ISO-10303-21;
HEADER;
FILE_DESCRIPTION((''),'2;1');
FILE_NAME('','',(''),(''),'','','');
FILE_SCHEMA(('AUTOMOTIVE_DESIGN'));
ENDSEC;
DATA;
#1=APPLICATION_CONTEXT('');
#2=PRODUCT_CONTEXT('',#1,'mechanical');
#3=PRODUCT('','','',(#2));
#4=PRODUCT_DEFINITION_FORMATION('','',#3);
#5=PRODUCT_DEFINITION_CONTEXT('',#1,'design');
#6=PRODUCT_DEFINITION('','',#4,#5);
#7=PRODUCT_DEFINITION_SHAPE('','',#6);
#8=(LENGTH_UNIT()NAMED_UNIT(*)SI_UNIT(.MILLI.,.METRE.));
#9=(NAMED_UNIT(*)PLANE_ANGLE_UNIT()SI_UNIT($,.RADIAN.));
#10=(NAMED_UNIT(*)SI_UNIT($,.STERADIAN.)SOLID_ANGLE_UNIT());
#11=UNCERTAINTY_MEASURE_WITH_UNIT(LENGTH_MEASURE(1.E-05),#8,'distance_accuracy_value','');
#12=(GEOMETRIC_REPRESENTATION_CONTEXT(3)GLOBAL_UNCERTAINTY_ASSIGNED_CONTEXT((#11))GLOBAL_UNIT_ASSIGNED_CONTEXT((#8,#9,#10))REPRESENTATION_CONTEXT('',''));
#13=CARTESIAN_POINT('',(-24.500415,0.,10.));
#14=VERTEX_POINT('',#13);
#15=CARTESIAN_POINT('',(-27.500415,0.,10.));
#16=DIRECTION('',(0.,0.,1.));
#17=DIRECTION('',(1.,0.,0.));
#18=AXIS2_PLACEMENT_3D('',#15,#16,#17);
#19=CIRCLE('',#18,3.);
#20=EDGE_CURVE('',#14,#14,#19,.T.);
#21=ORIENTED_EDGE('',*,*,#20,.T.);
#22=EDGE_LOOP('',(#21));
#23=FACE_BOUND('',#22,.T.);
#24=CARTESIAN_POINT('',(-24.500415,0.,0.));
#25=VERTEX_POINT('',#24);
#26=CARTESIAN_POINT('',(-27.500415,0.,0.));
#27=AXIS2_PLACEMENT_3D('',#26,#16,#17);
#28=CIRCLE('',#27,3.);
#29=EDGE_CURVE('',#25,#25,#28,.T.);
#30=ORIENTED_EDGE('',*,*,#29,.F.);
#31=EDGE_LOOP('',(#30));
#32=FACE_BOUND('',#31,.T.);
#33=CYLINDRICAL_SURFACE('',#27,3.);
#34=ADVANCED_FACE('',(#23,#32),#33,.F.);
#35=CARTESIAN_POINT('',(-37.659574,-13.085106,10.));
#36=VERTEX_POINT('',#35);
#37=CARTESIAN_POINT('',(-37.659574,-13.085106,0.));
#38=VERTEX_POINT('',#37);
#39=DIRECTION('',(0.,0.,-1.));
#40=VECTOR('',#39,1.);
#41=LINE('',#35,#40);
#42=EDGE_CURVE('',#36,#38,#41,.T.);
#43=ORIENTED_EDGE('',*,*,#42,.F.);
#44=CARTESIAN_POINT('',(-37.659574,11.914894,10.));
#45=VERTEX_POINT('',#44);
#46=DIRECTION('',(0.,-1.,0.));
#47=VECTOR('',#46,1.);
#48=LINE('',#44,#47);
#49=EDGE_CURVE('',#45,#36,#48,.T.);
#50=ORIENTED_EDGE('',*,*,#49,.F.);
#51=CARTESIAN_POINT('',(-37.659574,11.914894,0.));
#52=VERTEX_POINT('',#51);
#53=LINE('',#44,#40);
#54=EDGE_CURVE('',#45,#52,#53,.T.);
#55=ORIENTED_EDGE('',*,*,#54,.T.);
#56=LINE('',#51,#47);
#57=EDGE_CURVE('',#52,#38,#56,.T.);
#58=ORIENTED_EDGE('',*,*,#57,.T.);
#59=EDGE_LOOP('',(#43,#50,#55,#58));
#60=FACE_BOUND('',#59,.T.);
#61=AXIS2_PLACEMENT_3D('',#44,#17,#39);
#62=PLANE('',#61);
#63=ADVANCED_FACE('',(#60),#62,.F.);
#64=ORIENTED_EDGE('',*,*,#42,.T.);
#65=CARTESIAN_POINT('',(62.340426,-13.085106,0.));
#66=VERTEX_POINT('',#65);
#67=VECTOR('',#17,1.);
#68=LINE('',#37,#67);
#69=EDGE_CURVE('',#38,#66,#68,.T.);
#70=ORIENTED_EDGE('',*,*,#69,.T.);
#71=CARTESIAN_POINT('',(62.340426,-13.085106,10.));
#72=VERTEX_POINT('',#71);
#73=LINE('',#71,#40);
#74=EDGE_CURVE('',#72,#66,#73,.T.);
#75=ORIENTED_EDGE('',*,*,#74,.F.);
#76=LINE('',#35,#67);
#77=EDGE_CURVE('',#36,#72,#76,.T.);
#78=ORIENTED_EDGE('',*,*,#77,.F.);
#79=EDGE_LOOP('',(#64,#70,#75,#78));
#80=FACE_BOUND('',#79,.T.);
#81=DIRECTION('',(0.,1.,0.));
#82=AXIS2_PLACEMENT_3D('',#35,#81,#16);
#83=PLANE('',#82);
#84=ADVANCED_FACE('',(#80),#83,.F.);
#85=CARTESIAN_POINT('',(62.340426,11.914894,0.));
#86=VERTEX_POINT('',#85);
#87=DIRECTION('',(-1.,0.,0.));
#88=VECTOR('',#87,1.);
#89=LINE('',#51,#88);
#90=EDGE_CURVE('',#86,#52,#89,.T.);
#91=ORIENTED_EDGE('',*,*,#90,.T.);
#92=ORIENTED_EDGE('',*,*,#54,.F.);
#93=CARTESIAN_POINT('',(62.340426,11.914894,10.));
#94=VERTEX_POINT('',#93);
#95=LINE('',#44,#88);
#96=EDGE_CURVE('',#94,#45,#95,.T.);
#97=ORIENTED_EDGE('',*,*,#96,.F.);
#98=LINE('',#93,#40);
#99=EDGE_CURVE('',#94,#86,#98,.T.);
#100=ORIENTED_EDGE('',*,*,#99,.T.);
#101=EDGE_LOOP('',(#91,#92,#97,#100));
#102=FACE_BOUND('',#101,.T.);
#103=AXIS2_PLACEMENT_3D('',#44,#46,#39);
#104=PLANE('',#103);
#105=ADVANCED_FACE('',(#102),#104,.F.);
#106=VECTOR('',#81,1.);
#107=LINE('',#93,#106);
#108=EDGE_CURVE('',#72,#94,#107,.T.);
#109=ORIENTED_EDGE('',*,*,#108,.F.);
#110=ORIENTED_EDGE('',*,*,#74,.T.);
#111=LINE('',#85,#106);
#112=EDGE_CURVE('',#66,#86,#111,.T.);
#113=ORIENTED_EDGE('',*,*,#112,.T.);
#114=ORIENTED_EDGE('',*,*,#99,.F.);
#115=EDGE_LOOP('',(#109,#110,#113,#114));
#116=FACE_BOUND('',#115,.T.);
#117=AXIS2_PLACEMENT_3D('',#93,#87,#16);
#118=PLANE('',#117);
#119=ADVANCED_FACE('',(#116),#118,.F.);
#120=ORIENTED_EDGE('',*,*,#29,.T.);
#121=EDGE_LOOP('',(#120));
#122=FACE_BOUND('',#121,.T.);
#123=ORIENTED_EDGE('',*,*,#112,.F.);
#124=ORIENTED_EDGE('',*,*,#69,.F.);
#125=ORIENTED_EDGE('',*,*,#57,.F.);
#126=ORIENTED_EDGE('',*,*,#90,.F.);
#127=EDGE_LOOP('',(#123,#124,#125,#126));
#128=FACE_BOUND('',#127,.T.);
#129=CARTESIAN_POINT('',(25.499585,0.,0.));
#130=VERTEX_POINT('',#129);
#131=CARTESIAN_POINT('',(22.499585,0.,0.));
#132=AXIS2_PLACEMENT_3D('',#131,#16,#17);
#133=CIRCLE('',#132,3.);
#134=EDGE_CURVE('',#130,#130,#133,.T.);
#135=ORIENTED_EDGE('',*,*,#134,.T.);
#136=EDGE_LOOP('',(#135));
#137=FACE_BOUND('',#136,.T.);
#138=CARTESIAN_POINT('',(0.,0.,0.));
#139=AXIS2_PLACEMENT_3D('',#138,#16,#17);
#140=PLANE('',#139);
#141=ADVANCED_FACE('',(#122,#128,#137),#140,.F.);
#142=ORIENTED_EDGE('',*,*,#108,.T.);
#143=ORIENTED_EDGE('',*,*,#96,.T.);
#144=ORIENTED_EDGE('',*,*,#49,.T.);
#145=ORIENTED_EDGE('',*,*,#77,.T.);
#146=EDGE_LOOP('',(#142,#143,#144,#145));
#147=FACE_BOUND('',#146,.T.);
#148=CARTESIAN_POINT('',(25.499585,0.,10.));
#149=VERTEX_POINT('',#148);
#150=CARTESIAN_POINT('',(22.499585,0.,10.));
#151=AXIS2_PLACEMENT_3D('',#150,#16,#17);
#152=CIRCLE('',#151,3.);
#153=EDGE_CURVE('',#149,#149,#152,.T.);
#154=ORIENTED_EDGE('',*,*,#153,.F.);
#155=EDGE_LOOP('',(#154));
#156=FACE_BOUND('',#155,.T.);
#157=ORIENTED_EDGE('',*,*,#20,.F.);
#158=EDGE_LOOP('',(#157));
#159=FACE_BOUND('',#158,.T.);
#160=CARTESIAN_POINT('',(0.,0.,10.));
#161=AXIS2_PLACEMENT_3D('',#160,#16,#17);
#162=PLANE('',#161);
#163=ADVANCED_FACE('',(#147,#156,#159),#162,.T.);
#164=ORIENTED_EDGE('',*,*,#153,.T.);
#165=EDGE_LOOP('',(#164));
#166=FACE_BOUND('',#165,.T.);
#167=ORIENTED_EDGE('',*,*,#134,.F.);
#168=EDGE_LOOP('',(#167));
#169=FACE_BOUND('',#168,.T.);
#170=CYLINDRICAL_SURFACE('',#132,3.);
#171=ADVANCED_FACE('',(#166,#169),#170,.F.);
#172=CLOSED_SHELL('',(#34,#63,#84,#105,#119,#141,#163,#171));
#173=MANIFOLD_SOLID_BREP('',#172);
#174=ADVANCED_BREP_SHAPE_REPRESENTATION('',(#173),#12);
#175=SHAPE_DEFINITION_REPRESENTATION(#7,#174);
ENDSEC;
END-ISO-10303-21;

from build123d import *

# Parameters (mm, degrees)
SKETCH1_W           = 100
SKETCH1_H           = 25
BOSS_EXTRUDE1_DEPTH = 10
SKETCH2_R           = 3
CUT_EXTRUDE1_DEPTH  = 10
SKETCH3_R           = 3
CUT_EXTRUDE2_DEPTH  = 10


with BuildPart() as part:
    # Sketch1 → Boss-Extrude1 (new body)
    with BuildSketch(Plane.XY):
        with Locations((12.340425532, -0.585106383)):
            Rectangle(SKETCH1_W, SKETCH1_H)
    extrude(amount=BOSS_EXTRUDE1_DEPTH)

    # Sketch2 → Cut-Extrude1 (cut)
    with BuildSketch(Plane.XY.offset(10)):
        with Locations((-27.500414685, 0)):
            Circle(SKETCH2_R)
    extrude(amount=-CUT_EXTRUDE1_DEPTH, mode=Mode.SUBTRACT)

    # Sketch3 → Cut-Extrude2 (cut)
    with BuildSketch(Plane.XY.offset(10)):
        with Locations((22.499585315, 0)):
            Circle(SKETCH3_R)
    extrude(amount=-CUT_EXTRUDE2_DEPTH, mode=Mode.SUBTRACT)


solid = part.part
